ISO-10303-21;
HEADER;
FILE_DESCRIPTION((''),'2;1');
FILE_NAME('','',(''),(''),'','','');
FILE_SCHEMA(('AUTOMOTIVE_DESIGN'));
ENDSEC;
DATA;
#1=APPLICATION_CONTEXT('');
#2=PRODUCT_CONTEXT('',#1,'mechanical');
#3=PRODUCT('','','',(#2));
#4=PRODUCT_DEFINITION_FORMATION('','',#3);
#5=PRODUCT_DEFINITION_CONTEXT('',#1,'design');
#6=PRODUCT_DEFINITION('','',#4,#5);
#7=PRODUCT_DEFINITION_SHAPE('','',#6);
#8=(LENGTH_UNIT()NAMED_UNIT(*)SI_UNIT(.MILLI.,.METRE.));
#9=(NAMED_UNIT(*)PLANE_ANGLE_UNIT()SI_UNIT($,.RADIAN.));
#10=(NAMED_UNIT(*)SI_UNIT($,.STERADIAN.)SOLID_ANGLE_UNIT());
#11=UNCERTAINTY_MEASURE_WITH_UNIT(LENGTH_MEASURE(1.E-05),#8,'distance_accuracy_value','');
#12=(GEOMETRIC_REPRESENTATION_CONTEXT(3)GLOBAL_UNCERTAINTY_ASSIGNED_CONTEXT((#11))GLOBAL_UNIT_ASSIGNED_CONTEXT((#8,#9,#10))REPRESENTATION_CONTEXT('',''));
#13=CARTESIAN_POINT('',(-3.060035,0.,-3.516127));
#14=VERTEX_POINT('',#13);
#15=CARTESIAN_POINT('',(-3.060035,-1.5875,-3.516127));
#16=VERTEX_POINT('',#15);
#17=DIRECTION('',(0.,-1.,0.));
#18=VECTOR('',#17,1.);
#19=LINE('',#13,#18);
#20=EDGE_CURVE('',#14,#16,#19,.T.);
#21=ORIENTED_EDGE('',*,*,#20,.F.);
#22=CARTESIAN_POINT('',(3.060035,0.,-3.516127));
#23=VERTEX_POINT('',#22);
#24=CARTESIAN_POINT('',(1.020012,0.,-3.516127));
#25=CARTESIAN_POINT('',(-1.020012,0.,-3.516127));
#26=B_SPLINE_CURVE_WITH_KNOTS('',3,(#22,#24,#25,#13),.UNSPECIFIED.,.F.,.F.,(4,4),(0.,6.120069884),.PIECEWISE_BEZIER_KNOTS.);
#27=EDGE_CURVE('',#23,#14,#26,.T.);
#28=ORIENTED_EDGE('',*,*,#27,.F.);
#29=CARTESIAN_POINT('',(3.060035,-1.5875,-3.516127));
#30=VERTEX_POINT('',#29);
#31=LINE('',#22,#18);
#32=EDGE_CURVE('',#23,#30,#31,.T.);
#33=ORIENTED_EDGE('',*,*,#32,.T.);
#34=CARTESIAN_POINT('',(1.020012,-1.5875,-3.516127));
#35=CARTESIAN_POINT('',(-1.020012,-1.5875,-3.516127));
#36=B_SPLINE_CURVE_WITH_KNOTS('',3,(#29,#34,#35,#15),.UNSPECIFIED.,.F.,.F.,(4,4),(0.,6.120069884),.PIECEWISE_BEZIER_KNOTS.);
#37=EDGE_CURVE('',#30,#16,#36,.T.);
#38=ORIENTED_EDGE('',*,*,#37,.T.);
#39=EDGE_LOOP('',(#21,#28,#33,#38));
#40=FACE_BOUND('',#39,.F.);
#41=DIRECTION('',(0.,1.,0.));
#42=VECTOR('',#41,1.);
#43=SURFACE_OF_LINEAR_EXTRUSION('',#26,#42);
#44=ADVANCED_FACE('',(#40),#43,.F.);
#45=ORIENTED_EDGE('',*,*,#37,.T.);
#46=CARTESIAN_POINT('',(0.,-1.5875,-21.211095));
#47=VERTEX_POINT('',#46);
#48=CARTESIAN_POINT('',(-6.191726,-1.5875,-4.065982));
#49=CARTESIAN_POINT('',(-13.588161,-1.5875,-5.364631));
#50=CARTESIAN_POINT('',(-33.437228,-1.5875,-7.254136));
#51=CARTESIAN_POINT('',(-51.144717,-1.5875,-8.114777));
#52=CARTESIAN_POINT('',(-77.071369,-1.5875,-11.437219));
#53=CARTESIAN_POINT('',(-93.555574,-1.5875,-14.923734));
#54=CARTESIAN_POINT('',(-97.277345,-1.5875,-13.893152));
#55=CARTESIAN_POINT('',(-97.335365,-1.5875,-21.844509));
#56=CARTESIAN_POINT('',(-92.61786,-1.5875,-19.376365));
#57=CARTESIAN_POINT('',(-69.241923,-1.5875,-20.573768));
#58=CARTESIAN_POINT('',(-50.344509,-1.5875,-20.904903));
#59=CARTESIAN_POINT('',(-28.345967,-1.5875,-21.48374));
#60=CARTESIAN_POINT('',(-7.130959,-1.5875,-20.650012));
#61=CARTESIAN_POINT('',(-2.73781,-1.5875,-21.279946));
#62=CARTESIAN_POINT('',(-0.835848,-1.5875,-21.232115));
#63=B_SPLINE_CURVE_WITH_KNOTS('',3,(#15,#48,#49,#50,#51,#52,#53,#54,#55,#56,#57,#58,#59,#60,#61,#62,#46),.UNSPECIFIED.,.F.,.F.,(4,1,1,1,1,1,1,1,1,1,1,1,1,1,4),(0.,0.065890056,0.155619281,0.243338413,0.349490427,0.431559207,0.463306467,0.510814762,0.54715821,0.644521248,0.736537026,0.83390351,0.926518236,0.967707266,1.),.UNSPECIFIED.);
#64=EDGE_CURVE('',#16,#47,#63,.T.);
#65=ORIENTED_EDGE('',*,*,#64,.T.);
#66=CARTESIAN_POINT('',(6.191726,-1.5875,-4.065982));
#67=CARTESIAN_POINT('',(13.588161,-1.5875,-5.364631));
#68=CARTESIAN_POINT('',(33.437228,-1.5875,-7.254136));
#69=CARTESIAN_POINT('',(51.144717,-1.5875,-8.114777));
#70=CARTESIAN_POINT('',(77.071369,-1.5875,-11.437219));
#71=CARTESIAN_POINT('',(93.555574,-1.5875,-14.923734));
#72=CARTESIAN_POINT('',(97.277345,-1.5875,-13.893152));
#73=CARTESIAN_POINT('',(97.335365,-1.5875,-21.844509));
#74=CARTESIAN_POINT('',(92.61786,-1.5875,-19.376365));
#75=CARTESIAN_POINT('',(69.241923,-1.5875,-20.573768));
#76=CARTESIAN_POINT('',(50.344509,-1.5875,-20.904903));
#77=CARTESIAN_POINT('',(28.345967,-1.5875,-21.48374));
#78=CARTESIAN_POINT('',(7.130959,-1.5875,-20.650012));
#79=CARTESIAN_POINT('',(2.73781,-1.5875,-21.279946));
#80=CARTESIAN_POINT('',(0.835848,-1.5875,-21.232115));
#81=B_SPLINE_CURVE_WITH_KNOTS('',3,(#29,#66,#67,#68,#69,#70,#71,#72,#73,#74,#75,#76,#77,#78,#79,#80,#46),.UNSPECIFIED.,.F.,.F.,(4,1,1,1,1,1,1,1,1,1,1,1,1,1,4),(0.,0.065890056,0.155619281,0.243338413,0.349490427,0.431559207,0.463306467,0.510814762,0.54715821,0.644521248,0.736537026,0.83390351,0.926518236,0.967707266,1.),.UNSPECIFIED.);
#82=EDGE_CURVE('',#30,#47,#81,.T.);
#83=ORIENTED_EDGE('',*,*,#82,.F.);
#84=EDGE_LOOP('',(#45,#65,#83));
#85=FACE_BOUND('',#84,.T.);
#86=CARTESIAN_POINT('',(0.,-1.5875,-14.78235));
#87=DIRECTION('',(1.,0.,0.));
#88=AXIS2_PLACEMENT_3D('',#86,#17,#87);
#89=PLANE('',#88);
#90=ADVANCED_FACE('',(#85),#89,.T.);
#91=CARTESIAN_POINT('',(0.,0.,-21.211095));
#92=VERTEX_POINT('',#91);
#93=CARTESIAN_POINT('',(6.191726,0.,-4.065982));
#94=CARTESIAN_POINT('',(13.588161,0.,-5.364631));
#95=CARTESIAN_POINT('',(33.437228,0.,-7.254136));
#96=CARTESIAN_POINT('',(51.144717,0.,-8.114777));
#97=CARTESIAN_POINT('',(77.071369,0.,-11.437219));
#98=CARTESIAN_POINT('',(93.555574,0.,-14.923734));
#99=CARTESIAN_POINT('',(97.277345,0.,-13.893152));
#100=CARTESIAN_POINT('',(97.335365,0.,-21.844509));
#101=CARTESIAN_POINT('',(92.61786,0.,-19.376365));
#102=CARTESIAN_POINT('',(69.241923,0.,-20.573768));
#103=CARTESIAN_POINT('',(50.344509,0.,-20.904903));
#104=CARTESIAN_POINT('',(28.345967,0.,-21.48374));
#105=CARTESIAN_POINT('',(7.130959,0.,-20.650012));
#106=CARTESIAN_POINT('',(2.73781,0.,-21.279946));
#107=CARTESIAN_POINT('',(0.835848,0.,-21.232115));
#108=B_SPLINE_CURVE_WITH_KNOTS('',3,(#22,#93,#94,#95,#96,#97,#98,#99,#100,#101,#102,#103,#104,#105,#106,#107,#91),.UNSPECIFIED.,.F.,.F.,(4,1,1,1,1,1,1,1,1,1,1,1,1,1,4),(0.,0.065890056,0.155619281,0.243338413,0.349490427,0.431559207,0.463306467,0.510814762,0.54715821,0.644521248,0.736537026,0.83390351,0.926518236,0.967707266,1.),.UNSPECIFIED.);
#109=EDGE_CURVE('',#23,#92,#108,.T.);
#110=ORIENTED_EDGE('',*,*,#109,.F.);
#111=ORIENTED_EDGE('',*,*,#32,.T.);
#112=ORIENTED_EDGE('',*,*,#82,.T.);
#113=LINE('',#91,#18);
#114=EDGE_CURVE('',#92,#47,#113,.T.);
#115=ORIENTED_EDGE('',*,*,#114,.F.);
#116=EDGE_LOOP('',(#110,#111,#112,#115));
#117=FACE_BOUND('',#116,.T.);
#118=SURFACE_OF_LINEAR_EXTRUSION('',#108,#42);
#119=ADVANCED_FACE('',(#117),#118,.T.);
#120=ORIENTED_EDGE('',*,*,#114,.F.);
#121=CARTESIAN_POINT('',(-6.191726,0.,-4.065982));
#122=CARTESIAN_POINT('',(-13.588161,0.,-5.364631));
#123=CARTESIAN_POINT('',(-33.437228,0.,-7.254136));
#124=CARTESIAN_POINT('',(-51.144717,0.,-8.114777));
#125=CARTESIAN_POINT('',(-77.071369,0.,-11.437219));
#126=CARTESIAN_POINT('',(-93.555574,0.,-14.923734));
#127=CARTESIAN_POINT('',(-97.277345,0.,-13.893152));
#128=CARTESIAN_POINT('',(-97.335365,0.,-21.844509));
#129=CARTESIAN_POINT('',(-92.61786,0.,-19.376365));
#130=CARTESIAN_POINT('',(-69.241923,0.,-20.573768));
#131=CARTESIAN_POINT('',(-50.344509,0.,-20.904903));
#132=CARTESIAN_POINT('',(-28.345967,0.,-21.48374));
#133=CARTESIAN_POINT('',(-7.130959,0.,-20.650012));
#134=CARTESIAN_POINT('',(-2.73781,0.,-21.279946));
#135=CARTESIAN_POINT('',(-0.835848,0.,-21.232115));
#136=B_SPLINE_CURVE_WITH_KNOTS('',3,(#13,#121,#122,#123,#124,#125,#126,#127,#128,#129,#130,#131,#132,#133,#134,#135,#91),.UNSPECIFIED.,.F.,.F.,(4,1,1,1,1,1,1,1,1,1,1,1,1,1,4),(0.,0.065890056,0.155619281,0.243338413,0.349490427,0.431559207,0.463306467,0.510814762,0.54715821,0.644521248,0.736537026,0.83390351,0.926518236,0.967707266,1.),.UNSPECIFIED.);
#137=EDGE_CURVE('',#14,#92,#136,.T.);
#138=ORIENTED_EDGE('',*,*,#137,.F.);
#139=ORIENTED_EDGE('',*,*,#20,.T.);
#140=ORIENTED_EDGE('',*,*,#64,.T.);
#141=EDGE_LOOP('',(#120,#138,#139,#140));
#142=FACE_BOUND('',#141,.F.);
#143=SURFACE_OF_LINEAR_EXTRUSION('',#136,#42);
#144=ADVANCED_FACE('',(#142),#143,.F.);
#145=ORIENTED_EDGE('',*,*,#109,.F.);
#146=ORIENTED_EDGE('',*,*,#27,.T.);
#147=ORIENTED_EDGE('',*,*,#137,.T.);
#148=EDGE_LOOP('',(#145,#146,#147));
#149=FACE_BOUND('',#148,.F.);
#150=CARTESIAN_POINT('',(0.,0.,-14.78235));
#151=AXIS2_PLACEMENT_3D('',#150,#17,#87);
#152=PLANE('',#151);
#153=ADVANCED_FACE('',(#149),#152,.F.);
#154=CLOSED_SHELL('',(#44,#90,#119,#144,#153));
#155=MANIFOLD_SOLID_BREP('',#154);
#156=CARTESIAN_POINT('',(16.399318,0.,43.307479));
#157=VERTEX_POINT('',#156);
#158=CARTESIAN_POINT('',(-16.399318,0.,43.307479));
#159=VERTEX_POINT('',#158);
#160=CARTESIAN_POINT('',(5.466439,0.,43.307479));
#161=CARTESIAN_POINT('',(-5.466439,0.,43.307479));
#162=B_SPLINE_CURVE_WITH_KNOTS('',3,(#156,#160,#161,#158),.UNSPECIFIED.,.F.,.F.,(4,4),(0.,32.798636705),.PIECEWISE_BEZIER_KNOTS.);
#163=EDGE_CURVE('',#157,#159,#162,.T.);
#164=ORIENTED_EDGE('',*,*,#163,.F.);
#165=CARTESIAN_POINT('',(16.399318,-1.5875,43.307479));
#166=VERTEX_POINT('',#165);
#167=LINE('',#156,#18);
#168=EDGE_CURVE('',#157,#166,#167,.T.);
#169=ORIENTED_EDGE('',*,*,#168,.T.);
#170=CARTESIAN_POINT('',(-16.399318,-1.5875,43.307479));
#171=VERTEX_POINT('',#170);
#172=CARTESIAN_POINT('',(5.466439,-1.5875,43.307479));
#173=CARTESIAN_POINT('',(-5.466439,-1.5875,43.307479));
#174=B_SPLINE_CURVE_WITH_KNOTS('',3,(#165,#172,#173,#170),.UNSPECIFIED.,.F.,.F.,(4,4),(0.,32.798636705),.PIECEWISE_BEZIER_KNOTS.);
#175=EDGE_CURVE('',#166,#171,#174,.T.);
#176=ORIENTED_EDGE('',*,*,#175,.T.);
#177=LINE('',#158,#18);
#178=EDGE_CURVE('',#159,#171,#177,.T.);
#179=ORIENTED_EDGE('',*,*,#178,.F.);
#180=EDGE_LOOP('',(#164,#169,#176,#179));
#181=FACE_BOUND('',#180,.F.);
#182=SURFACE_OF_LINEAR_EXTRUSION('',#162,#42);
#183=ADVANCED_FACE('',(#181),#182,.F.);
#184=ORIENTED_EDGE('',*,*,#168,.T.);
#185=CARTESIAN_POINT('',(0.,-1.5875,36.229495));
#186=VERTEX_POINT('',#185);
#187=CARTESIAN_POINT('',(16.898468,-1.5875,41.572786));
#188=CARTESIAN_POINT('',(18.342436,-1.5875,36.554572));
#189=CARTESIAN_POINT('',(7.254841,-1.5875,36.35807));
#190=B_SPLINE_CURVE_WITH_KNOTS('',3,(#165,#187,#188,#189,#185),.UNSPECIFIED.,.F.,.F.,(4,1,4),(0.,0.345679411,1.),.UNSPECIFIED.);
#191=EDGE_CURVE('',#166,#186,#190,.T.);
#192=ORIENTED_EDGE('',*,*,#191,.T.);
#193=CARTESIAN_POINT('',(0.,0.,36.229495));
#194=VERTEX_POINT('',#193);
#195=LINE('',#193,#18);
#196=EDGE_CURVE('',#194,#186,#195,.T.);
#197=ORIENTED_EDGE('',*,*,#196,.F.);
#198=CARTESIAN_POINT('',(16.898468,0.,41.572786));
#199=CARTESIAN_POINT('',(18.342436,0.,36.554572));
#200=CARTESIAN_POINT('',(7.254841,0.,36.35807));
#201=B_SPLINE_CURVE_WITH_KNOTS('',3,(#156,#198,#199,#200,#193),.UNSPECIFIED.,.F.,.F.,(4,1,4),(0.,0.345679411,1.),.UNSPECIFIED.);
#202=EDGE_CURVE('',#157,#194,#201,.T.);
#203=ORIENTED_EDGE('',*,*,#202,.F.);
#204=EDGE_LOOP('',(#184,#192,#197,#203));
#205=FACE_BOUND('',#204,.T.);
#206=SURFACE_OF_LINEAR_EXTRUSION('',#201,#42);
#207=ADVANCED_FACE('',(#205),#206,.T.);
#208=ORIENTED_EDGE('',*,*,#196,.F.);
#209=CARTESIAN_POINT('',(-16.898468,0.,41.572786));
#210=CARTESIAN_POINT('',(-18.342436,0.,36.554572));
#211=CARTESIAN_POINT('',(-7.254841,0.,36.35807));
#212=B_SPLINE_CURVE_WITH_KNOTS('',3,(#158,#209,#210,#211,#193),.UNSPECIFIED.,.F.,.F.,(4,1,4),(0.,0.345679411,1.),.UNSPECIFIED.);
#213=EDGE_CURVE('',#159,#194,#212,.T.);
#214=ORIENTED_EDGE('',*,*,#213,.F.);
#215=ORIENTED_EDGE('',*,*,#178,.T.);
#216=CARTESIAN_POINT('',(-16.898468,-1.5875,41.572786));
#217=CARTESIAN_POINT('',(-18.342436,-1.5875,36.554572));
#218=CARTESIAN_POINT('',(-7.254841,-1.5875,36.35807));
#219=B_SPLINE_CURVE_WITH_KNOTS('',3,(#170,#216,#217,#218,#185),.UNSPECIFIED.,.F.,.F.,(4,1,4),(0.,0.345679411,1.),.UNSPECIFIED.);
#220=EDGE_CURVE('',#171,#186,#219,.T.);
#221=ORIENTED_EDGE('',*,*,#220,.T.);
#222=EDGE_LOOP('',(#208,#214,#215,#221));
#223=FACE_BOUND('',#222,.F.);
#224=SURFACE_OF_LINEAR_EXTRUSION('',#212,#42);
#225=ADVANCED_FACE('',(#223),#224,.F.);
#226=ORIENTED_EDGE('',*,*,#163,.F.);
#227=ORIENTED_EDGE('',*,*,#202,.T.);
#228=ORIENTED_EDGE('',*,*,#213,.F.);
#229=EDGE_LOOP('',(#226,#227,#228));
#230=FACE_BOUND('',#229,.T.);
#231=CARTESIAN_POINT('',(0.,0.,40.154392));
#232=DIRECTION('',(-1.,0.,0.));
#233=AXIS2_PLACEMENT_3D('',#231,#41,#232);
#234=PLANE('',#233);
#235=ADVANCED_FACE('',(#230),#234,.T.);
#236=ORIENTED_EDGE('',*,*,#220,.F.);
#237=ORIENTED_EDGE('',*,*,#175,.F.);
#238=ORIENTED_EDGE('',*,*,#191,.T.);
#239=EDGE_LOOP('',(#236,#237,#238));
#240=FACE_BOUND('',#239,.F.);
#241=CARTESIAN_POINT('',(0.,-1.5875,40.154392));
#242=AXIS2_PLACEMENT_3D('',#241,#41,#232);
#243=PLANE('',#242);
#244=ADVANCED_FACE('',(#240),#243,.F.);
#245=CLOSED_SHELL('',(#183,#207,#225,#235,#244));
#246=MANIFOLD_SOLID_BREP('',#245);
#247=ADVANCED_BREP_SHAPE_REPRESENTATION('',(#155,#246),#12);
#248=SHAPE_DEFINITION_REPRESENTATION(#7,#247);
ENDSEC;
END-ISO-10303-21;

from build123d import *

# Parameters (mm, degrees)
F1_DEPTH = 1.5875


with BuildPart() as f1:
    # F0 (on Front) → F1 (new body)
    with BuildSketch(Plane.XZ):
        with BuildLine():
            add(Edge.make_bspline(
                [(3.0600349419, -3.5161271226), (1.0200116473, -3.5161271226), (-1.0200116473, -3.5161271226), (-3.0600349419, -3.5161271226)],
                knots=[0, 0, 0, 0, 6.1200698838, 6.1200698838, 6.1200698838, 6.1200698838], degree=3))
            add(Edge.make_bspline(
                [(-3.0600349419, -3.5161271226), (-6.1917260425, -4.0659822289), (-13.5881610533, -5.3646312428), (-33.4372283455, -7.2541363794), (-51.1447174928, -8.1147767874), (-77.0713685015, -11.4372194109), (-93.5555743247, -14.9237342294), (-97.2773446817, -13.8931519208), (-97.3353651014, -21.8445089539), (-92.6178604131, -19.3763652616), (-69.2419232124, -20.5737682344), (-50.3445093583, -20.9049026), (-28.3459673203, -21.48374022), (-7.1309585374, -20.6500123432), (-2.7378098571, -21.2799461326), (-0.835847652, -21.2321152147), (0, -21.2110951543)],
                knots=[0, 0, 0, 0, 0.065890056, 0.155619281, 0.2433384132, 0.3494904265, 0.4315592069, 0.4633064675, 0.5108147617, 0.54715821, 0.6445212482, 0.7365370259, 0.8339035097, 0.9265182356, 0.9677072657, 1, 1, 1, 1], degree=3))
            add(Edge.make_bspline(
                [(3.0600349419, -3.5161271226), (6.1917260425, -4.0659822289), (13.5881610533, -5.3646312428), (33.4372283455, -7.2541363794), (51.1447174928, -8.1147767874), (77.0713685015, -11.4372194109), (93.5555743247, -14.9237342294), (97.2773446817, -13.8931519208), (97.3353651014, -21.8445089539), (92.6178604131, -19.3763652616), (69.2419232124, -20.5737682344), (50.3445093583, -20.9049026), (28.3459673203, -21.48374022), (7.1309585374, -20.6500123432), (2.7378098571, -21.2799461326), (0.835847652, -21.2321152147), (0, -21.2110951543)],
                knots=[0, 0, 0, 0, 0.065890056, 0.155619281, 0.2433384132, 0.3494904265, 0.4315592069, 0.4633064675, 0.5108147617, 0.54715821, 0.6445212482, 0.7365370259, 0.8339035097, 0.9265182356, 0.9677072657, 1, 1, 1, 1], degree=3))
        make_face()
    extrude(amount=F1_DEPTH)


with BuildPart() as f1b:
    # F0 (on Front) → F1, piece 2 (new body)
    with BuildSketch(Plane.XZ):
        with BuildLine():
            add(Edge.make_bspline(
                [(-16.3993183523, 43.307479471), (-10.9328789016, 43.307479471), (-5.4664394508, 43.307479471), (0, 43.307479471)],
                knots=[0, 0, 0, 0, 16.3993183523, 16.3993183523, 16.3993183523, 16.3993183523], degree=3))
            add(Edge.make_bspline(
                [(-16.3993183523, 43.307479471), (-16.8984682518, 41.5727860656), (-18.3424359371, 36.5545716499), (-7.2548413904, 36.3580700208), (0, 36.2294949591)],
                knots=[0, 0, 0, 0, 0.3456794114, 1, 1, 1, 1], degree=3))
            add(Edge.make_bspline(
                [(16.3993183523, 43.307479471), (16.8984682518, 41.5727860656), (18.3424359371, 36.5545716499), (7.2548413904, 36.3580700208), (0, 36.2294949591)],
                knots=[0, 0, 0, 0, 0.3456794114, 1, 1, 1, 1], degree=3))
            add(Edge.make_bspline(
                [(16.3993183523, 43.307479471), (10.9328789016, 43.307479471), (5.4664394508, 43.307479471), (0, 43.307479471)],
                knots=[0, 0, 0, 0, 16.3993183523, 16.3993183523, 16.3993183523, 16.3993183523], degree=3))
        make_face()
    extrude(amount=F1_DEPTH)


solid = Compound([f1.part, f1b.part])
